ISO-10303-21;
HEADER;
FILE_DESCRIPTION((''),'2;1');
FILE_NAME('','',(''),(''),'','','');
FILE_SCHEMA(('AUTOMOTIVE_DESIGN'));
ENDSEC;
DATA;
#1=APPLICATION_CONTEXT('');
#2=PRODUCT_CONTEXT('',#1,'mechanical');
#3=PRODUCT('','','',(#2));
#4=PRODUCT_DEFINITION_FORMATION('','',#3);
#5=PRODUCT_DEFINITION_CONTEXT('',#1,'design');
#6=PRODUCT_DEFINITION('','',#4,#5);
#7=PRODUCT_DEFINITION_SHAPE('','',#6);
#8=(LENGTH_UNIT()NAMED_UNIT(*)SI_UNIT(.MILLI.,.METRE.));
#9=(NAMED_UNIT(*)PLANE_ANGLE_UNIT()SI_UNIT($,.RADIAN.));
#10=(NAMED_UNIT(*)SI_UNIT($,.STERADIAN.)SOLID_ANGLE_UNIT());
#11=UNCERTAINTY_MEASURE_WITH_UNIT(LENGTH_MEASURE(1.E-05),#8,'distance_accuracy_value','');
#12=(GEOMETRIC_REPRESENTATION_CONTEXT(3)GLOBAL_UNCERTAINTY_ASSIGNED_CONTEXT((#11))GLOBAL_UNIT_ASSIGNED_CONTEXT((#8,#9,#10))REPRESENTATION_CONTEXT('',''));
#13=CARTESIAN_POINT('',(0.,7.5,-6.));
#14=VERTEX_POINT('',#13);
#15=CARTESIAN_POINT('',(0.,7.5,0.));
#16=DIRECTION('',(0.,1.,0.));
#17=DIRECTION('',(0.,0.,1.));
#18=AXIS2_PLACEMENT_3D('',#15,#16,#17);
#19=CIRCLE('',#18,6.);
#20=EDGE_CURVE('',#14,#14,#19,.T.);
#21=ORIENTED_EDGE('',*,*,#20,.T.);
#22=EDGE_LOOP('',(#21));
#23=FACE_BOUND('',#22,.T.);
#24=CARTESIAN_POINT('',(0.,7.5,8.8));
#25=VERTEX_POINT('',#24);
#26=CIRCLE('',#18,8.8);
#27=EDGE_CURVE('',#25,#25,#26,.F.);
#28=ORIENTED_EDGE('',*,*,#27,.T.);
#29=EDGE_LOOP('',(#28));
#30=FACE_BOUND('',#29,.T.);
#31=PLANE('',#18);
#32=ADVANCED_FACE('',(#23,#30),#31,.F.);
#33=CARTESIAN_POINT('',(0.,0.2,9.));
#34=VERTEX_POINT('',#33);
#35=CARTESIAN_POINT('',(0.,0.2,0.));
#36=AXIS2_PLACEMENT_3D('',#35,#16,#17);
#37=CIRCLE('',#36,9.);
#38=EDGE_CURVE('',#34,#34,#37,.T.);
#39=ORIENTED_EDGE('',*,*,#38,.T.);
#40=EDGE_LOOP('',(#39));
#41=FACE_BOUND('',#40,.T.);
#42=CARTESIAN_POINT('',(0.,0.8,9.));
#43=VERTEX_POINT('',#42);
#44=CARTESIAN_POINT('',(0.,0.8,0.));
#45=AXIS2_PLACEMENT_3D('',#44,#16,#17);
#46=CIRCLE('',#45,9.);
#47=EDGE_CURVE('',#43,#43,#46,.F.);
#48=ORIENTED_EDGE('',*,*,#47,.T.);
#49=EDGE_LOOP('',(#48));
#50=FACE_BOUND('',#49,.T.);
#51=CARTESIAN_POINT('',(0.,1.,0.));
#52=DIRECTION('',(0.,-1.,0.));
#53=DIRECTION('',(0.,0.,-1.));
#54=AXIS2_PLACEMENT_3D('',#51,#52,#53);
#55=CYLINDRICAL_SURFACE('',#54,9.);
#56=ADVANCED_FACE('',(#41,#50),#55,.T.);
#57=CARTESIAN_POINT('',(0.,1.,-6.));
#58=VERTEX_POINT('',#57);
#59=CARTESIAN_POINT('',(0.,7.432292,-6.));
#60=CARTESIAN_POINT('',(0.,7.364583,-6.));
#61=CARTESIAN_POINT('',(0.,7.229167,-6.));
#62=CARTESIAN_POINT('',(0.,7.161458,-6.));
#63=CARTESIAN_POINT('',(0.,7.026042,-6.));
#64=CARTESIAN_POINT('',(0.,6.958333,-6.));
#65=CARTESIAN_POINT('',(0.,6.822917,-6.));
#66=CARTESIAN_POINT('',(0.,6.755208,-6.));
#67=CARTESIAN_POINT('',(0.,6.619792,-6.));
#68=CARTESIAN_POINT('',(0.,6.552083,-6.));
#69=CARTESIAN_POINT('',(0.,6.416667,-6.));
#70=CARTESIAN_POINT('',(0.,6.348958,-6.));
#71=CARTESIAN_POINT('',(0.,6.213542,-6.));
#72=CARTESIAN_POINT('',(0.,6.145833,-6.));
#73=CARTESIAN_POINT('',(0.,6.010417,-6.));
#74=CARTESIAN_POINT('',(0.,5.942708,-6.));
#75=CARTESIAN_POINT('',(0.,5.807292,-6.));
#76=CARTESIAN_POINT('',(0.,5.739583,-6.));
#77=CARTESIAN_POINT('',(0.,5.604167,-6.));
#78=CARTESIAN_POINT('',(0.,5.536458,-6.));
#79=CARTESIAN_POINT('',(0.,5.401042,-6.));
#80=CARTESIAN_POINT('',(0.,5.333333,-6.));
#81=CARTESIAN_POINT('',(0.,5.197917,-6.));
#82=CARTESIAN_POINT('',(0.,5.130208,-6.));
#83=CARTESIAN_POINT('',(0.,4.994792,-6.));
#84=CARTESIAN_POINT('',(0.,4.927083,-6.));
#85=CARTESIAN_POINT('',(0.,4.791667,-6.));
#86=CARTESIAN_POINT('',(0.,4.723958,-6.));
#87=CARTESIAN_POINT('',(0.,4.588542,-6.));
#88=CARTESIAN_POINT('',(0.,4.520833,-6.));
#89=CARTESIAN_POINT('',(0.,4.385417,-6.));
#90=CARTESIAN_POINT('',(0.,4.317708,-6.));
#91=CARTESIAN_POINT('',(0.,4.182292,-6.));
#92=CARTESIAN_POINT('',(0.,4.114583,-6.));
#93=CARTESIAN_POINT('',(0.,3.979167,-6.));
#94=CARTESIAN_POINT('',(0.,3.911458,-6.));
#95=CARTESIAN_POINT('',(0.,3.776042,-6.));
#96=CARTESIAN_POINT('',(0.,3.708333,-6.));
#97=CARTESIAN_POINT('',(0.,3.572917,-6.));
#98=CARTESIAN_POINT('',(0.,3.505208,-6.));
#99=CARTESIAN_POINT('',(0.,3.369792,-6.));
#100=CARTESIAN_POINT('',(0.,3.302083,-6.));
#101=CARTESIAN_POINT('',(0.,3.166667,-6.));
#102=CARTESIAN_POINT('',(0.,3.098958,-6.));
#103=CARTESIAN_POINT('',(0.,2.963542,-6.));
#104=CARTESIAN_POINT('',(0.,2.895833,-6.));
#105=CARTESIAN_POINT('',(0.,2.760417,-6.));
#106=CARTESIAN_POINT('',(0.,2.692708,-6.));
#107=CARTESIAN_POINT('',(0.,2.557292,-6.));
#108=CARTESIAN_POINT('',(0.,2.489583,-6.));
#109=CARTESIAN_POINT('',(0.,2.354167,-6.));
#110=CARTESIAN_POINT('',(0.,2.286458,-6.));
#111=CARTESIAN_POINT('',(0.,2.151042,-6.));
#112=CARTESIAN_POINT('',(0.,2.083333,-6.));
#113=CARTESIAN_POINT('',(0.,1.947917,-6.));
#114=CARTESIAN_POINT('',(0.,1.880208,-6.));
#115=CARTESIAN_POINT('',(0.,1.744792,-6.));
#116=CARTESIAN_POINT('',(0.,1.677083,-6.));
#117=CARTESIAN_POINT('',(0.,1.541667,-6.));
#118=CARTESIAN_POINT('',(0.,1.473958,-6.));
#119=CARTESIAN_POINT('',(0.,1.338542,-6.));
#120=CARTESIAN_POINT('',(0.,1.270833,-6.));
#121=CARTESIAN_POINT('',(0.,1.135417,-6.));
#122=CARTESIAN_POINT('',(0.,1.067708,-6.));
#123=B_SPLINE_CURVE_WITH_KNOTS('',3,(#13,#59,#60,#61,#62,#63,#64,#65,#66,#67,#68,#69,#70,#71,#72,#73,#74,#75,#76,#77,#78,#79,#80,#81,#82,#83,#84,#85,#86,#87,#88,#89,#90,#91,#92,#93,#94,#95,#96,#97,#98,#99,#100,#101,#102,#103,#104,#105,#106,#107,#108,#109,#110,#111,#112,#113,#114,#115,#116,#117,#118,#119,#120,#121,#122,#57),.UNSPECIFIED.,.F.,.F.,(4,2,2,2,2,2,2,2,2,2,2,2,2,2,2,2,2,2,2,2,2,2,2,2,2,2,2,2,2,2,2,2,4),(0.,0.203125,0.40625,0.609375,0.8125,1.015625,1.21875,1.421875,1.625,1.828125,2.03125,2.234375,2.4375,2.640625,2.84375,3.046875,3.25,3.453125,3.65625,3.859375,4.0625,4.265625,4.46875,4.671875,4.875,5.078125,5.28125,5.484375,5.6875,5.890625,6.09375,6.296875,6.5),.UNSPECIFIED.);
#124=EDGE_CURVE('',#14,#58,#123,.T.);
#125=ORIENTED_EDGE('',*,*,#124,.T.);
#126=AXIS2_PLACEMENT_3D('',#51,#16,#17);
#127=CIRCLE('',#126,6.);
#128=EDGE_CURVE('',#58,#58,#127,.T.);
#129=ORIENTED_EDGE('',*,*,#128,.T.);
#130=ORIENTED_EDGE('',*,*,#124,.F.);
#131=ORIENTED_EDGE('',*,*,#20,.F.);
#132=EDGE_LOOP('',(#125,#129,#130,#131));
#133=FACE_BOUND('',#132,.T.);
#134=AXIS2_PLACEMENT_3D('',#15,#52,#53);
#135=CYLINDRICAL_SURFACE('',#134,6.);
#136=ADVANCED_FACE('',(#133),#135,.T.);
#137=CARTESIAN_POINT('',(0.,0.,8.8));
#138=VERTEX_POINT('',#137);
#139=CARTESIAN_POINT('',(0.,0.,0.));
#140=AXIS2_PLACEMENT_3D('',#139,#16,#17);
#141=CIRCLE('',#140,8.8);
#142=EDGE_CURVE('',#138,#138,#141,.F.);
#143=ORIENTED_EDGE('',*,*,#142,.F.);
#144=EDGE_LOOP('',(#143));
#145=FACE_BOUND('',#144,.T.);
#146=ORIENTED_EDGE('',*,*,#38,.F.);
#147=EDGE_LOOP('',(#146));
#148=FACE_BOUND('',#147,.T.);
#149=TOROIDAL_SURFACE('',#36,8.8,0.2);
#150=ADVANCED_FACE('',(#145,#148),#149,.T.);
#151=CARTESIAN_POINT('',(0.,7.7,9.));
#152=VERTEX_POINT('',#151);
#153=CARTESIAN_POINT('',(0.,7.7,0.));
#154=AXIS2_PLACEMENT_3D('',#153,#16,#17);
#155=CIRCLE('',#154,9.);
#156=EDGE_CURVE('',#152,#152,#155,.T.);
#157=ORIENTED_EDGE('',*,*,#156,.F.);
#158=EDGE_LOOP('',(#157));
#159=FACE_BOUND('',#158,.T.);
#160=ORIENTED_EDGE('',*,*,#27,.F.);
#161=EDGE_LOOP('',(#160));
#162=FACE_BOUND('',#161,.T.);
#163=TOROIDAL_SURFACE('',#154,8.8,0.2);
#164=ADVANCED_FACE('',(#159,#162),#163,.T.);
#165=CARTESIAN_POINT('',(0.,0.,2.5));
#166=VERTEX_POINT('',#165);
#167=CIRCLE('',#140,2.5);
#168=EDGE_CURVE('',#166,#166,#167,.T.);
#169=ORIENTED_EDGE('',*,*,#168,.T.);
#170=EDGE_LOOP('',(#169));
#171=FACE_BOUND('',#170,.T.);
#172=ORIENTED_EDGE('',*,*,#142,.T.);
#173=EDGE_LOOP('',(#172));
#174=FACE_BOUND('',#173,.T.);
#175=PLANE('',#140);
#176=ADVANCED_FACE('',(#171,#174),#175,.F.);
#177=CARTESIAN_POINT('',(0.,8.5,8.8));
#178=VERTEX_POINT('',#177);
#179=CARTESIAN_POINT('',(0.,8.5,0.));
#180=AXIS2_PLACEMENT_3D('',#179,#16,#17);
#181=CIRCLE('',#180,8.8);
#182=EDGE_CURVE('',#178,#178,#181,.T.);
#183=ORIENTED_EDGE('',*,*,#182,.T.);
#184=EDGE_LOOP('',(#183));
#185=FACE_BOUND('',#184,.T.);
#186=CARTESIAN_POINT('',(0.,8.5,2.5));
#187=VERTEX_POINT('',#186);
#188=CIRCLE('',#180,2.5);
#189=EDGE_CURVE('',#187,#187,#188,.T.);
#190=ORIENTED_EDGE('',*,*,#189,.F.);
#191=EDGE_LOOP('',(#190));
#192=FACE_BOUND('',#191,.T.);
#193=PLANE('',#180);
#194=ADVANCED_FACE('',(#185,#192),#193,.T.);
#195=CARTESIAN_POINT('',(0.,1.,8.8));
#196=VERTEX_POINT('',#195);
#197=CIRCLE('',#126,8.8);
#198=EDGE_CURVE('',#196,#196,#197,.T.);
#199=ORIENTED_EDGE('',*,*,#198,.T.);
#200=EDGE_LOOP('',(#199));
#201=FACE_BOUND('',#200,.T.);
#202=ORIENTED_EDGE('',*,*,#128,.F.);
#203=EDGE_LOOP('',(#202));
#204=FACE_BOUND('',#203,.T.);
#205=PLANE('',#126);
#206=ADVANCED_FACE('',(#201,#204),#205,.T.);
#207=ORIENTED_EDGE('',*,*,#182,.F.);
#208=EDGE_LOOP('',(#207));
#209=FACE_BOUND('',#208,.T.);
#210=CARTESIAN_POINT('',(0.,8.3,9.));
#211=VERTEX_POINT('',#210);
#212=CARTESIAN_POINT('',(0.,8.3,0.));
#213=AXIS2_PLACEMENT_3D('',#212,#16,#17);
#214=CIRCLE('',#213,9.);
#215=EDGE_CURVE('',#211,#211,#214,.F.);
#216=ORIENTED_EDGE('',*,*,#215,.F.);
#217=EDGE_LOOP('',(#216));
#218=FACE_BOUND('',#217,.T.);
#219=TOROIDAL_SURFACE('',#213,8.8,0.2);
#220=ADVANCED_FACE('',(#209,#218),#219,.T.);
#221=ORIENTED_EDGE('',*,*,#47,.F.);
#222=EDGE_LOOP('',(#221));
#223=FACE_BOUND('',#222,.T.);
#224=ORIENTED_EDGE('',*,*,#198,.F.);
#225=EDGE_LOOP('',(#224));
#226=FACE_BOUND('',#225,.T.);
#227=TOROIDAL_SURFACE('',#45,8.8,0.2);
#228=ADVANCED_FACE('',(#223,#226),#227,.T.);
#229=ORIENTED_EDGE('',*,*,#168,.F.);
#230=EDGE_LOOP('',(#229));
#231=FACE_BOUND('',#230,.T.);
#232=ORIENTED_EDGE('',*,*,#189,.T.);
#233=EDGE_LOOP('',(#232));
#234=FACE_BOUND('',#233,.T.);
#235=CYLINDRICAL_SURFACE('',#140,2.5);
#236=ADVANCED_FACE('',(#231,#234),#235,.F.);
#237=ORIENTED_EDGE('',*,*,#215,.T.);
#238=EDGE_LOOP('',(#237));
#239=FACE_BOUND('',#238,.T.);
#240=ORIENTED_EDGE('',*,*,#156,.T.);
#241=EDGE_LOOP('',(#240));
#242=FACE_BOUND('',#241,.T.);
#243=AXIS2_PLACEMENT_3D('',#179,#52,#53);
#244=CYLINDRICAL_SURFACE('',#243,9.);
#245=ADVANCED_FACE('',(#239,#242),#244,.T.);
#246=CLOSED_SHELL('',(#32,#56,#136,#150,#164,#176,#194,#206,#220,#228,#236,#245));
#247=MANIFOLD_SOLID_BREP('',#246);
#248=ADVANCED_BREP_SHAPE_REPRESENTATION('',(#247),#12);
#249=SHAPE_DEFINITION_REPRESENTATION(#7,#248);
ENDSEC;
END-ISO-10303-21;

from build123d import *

# Parameters (mm, degrees)
SKETCH1_R           = 9
BOSS_EXTRUDE1_DEPTH = 1
SKETCH2_R           = 6
BOSS_EXTRUDE2_DEPTH = 6.5
SKETCH3_R           = 9
BOSS_EXTRUDE3_DEPTH = 1
SKETCH4_R           = 2.5
CUT_EXTRUDE1_DEPTH  = 16.305227865
FILLET1_R           = 0.2


with BuildPart() as part:
    # Sketch1 → Boss-Extrude1 (new body)
    with BuildSketch(Plane(origin=(0, 0, 0), x_dir=(1, 0, 0), z_dir=(0, 1, 0))):
        with Locations(Location((0, 0, 0), (0, 0, 270))):
            Circle(SKETCH1_R)
    extrude(amount=BOSS_EXTRUDE1_DEPTH)

    # Sketch2 → Boss-Extrude2 (add)
    with BuildSketch(Plane(origin=(0, 1, 0), x_dir=(1, 0, 0), z_dir=(0, 1, 0))):
        with Locations(Location((0, 0, 0), (0, 0, 90))):
            Circle(SKETCH2_R)
    extrude(amount=BOSS_EXTRUDE2_DEPTH)

    # Sketch3 → Boss-Extrude3 (add)
    with BuildSketch(Plane(origin=(0, 7.5, 0), x_dir=(1, 0, 0), z_dir=(0, 1, 0))):
        with Locations(Location((0, 0, 0), (0, 0, 270))):
            Circle(SKETCH3_R)
    extrude(amount=BOSS_EXTRUDE3_DEPTH)

    # Sketch4 → Cut-Extrude1 (cut, through all)
    with BuildSketch(Plane(origin=(0, 8.5, 0), x_dir=(1, 0, 0), z_dir=(0, 1, 0))):
        with Locations(Location((0, 0, 0), (0, 0, 270))):
            Circle(SKETCH4_R)
    extrude(amount=-CUT_EXTRUDE1_DEPTH, mode=Mode.SUBTRACT)

    # Fillet1
    fillet1_edges = [part.edges().sort_by_distance(p)[0] for p in [
        (0, 8.5, -9),
        (0, 0, -9),
        (0, 1, -9),
        (0, 7.5, -9),
    ]]
    fillet(fillet1_edges, radius=FILLET1_R)


solid = part.part
